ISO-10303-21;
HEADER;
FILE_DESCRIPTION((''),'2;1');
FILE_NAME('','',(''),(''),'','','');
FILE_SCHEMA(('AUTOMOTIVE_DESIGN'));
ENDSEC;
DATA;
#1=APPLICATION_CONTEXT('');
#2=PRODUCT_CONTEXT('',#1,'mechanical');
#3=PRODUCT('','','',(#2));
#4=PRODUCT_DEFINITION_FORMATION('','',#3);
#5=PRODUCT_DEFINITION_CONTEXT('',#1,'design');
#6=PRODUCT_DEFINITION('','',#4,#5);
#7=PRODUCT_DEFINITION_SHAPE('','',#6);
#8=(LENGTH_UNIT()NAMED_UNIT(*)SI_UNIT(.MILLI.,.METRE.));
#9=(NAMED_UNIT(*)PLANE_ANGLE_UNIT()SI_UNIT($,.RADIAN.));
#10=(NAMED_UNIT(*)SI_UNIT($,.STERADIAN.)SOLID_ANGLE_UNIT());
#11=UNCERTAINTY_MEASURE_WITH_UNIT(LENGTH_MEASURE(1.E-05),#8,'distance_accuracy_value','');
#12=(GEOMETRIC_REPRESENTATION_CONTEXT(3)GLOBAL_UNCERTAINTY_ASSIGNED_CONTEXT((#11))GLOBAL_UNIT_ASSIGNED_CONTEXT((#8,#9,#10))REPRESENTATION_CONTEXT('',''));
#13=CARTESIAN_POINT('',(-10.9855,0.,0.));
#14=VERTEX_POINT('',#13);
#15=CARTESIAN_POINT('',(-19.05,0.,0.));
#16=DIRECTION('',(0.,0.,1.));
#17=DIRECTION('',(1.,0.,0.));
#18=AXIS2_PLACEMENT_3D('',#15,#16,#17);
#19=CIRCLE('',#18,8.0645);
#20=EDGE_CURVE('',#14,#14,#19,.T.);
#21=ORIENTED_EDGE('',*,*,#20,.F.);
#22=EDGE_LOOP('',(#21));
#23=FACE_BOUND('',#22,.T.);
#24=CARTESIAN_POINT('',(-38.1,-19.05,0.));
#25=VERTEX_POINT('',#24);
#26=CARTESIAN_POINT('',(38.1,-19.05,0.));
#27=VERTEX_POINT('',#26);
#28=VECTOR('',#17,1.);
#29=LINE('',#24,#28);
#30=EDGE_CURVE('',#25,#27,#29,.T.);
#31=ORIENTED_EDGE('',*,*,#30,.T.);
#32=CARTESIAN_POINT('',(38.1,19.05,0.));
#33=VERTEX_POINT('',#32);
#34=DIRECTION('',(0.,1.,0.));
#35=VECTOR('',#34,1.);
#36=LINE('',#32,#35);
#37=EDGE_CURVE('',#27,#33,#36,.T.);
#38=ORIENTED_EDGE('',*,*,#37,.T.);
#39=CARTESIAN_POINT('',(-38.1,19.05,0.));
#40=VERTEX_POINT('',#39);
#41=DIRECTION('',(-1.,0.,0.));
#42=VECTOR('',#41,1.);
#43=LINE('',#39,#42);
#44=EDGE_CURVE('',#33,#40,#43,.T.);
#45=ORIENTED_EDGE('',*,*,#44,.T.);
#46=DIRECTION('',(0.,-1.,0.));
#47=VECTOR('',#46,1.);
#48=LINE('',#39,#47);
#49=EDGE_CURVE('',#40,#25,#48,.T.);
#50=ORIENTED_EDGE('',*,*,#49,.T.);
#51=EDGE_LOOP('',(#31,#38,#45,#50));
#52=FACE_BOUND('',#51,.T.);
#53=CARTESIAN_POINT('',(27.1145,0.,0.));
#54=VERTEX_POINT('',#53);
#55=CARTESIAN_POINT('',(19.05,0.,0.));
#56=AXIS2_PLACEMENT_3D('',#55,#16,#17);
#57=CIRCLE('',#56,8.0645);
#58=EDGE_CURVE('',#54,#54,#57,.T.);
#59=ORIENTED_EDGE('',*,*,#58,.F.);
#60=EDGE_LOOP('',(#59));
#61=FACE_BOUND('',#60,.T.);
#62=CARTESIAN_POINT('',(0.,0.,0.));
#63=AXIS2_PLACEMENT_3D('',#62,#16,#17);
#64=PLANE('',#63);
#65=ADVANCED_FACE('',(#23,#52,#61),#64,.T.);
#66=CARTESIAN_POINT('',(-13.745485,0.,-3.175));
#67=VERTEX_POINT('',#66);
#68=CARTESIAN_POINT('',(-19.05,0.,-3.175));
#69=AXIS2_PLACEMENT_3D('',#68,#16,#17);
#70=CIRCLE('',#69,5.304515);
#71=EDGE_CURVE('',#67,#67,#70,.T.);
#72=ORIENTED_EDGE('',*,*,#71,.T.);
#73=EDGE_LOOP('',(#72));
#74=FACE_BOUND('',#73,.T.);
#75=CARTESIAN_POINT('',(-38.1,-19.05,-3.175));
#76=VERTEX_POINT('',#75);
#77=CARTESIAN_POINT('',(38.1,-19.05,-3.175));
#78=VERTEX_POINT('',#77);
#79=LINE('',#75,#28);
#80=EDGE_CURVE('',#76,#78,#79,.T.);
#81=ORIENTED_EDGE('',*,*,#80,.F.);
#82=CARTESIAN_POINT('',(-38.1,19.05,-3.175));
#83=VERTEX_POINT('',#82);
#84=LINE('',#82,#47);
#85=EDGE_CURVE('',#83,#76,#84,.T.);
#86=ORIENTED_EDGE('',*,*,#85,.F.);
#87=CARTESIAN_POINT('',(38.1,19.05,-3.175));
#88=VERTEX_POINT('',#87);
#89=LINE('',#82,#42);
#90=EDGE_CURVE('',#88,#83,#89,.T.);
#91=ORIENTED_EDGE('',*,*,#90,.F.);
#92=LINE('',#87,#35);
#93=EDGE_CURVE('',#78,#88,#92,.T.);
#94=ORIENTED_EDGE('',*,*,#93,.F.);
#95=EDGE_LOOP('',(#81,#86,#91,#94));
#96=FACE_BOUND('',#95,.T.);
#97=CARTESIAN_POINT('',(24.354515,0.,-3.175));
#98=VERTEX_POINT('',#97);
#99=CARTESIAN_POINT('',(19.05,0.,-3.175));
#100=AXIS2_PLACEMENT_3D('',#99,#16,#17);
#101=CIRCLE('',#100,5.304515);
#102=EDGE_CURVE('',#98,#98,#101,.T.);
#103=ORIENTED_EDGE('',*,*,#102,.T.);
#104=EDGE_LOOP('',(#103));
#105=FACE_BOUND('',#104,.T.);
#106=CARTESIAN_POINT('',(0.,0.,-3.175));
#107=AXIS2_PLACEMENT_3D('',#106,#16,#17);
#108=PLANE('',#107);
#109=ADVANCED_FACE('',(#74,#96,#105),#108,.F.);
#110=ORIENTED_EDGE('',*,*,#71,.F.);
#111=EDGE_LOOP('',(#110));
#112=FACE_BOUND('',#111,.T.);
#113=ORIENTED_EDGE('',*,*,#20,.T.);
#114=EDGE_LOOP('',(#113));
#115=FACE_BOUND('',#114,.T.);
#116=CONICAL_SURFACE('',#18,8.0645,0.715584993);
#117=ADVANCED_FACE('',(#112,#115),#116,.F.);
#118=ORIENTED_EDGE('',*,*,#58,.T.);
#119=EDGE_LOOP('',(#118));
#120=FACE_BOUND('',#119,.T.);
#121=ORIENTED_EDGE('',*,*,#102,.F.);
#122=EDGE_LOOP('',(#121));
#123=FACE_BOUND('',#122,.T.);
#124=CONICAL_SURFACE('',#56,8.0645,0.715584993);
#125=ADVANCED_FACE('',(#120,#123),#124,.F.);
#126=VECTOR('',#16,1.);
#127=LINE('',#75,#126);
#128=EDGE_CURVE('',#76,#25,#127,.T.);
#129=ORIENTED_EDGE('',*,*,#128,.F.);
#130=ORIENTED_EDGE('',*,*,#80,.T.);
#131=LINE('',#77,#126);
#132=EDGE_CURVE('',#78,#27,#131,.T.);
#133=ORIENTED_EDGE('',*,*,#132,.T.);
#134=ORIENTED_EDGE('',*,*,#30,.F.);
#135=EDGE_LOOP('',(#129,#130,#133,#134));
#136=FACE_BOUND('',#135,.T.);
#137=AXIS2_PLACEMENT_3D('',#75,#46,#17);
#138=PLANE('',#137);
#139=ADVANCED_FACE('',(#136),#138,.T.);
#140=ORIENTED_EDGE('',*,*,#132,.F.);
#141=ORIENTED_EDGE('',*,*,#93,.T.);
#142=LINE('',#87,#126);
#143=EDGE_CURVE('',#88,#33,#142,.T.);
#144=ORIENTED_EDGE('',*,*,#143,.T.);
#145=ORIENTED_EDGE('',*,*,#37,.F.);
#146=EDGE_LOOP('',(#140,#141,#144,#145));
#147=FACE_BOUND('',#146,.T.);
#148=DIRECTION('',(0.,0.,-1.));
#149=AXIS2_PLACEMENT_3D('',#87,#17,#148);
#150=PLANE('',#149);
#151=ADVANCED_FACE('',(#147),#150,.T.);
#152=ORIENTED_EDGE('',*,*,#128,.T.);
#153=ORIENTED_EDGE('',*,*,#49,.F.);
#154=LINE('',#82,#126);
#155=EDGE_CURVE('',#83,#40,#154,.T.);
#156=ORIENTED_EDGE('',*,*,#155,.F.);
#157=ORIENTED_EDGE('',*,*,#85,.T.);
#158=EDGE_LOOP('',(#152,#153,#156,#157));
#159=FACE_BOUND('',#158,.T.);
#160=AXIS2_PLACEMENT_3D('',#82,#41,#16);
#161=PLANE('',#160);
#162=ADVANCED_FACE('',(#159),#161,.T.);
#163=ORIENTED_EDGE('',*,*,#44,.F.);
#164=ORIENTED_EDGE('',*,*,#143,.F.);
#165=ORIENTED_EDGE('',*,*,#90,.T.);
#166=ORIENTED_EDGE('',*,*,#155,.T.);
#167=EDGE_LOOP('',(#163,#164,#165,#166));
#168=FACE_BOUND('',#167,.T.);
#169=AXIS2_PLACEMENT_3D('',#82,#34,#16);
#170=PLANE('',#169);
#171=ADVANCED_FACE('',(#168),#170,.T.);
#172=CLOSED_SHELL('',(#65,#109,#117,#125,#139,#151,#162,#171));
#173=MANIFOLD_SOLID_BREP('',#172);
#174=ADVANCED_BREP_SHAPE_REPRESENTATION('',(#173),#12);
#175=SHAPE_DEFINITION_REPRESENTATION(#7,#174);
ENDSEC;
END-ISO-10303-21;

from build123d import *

# Parameters (mm, degrees)
SKETCH1_W                                         = 76.2
SKETCH1_H                                         = 38.1
SKETCH1_R                                         = 4.191
SKETCH1_R_2                                       = 4.1656
BOSS_EXTRUDE1_DEPTH                               = 3.175
CSK_FOR_5_16_FLAT_HEAD_MACHINE_SCREW2_D           = 8.4328
CSK_FOR_5_16_FLAT_HEAD_MACHINE_SCREW2_DEPTH       = 32.766
CSK_FOR_5_16_FLAT_HEAD_MACHINE_SCREW2_CSINK_D     = 16.129
CSK_FOR_5_16_FLAT_HEAD_MACHINE_SCREW2_CSINK_ANGLE = 82
CSK_FOR_5_16_FLAT_HEAD_MACHINE_SCREW2_TIP         = 2.533468714


with BuildPart() as part:
    # Sketch1 → Boss-Extrude1 (new body)
    with BuildSketch(Plane.XY):
        Rectangle(SKETCH1_W, SKETCH1_H)
        with Locations((-19.05, 0)):
            Circle(SKETCH1_R, mode=Mode.SUBTRACT)
        with Locations((19.05, 0)):
            Circle(SKETCH1_R_2, mode=Mode.SUBTRACT)
    extrude(amount=-BOSS_EXTRUDE1_DEPTH)

    # CSK for 5/16 Flat Head Machine Screw2
    with Locations(Plane(origin=(-19.05, 0, 0), x_dir=(1, 0, 0), z_dir=(0, 0, 1))):
        with Locations((0, 0), (38.1, 0)):
            CounterSinkHole(CSK_FOR_5_16_FLAT_HEAD_MACHINE_SCREW2_D / 2, CSK_FOR_5_16_FLAT_HEAD_MACHINE_SCREW2_CSINK_D / 2, depth=CSK_FOR_5_16_FLAT_HEAD_MACHINE_SCREW2_DEPTH, counter_sink_angle=CSK_FOR_5_16_FLAT_HEAD_MACHINE_SCREW2_CSINK_ANGLE)
            with Locations((0, 0, -(CSK_FOR_5_16_FLAT_HEAD_MACHINE_SCREW2_DEPTH + CSK_FOR_5_16_FLAT_HEAD_MACHINE_SCREW2_TIP / 2))):  # 118° drill point
                Cone(0, CSK_FOR_5_16_FLAT_HEAD_MACHINE_SCREW2_D / 2, CSK_FOR_5_16_FLAT_HEAD_MACHINE_SCREW2_TIP, mode=Mode.SUBTRACT)


solid = part.part
